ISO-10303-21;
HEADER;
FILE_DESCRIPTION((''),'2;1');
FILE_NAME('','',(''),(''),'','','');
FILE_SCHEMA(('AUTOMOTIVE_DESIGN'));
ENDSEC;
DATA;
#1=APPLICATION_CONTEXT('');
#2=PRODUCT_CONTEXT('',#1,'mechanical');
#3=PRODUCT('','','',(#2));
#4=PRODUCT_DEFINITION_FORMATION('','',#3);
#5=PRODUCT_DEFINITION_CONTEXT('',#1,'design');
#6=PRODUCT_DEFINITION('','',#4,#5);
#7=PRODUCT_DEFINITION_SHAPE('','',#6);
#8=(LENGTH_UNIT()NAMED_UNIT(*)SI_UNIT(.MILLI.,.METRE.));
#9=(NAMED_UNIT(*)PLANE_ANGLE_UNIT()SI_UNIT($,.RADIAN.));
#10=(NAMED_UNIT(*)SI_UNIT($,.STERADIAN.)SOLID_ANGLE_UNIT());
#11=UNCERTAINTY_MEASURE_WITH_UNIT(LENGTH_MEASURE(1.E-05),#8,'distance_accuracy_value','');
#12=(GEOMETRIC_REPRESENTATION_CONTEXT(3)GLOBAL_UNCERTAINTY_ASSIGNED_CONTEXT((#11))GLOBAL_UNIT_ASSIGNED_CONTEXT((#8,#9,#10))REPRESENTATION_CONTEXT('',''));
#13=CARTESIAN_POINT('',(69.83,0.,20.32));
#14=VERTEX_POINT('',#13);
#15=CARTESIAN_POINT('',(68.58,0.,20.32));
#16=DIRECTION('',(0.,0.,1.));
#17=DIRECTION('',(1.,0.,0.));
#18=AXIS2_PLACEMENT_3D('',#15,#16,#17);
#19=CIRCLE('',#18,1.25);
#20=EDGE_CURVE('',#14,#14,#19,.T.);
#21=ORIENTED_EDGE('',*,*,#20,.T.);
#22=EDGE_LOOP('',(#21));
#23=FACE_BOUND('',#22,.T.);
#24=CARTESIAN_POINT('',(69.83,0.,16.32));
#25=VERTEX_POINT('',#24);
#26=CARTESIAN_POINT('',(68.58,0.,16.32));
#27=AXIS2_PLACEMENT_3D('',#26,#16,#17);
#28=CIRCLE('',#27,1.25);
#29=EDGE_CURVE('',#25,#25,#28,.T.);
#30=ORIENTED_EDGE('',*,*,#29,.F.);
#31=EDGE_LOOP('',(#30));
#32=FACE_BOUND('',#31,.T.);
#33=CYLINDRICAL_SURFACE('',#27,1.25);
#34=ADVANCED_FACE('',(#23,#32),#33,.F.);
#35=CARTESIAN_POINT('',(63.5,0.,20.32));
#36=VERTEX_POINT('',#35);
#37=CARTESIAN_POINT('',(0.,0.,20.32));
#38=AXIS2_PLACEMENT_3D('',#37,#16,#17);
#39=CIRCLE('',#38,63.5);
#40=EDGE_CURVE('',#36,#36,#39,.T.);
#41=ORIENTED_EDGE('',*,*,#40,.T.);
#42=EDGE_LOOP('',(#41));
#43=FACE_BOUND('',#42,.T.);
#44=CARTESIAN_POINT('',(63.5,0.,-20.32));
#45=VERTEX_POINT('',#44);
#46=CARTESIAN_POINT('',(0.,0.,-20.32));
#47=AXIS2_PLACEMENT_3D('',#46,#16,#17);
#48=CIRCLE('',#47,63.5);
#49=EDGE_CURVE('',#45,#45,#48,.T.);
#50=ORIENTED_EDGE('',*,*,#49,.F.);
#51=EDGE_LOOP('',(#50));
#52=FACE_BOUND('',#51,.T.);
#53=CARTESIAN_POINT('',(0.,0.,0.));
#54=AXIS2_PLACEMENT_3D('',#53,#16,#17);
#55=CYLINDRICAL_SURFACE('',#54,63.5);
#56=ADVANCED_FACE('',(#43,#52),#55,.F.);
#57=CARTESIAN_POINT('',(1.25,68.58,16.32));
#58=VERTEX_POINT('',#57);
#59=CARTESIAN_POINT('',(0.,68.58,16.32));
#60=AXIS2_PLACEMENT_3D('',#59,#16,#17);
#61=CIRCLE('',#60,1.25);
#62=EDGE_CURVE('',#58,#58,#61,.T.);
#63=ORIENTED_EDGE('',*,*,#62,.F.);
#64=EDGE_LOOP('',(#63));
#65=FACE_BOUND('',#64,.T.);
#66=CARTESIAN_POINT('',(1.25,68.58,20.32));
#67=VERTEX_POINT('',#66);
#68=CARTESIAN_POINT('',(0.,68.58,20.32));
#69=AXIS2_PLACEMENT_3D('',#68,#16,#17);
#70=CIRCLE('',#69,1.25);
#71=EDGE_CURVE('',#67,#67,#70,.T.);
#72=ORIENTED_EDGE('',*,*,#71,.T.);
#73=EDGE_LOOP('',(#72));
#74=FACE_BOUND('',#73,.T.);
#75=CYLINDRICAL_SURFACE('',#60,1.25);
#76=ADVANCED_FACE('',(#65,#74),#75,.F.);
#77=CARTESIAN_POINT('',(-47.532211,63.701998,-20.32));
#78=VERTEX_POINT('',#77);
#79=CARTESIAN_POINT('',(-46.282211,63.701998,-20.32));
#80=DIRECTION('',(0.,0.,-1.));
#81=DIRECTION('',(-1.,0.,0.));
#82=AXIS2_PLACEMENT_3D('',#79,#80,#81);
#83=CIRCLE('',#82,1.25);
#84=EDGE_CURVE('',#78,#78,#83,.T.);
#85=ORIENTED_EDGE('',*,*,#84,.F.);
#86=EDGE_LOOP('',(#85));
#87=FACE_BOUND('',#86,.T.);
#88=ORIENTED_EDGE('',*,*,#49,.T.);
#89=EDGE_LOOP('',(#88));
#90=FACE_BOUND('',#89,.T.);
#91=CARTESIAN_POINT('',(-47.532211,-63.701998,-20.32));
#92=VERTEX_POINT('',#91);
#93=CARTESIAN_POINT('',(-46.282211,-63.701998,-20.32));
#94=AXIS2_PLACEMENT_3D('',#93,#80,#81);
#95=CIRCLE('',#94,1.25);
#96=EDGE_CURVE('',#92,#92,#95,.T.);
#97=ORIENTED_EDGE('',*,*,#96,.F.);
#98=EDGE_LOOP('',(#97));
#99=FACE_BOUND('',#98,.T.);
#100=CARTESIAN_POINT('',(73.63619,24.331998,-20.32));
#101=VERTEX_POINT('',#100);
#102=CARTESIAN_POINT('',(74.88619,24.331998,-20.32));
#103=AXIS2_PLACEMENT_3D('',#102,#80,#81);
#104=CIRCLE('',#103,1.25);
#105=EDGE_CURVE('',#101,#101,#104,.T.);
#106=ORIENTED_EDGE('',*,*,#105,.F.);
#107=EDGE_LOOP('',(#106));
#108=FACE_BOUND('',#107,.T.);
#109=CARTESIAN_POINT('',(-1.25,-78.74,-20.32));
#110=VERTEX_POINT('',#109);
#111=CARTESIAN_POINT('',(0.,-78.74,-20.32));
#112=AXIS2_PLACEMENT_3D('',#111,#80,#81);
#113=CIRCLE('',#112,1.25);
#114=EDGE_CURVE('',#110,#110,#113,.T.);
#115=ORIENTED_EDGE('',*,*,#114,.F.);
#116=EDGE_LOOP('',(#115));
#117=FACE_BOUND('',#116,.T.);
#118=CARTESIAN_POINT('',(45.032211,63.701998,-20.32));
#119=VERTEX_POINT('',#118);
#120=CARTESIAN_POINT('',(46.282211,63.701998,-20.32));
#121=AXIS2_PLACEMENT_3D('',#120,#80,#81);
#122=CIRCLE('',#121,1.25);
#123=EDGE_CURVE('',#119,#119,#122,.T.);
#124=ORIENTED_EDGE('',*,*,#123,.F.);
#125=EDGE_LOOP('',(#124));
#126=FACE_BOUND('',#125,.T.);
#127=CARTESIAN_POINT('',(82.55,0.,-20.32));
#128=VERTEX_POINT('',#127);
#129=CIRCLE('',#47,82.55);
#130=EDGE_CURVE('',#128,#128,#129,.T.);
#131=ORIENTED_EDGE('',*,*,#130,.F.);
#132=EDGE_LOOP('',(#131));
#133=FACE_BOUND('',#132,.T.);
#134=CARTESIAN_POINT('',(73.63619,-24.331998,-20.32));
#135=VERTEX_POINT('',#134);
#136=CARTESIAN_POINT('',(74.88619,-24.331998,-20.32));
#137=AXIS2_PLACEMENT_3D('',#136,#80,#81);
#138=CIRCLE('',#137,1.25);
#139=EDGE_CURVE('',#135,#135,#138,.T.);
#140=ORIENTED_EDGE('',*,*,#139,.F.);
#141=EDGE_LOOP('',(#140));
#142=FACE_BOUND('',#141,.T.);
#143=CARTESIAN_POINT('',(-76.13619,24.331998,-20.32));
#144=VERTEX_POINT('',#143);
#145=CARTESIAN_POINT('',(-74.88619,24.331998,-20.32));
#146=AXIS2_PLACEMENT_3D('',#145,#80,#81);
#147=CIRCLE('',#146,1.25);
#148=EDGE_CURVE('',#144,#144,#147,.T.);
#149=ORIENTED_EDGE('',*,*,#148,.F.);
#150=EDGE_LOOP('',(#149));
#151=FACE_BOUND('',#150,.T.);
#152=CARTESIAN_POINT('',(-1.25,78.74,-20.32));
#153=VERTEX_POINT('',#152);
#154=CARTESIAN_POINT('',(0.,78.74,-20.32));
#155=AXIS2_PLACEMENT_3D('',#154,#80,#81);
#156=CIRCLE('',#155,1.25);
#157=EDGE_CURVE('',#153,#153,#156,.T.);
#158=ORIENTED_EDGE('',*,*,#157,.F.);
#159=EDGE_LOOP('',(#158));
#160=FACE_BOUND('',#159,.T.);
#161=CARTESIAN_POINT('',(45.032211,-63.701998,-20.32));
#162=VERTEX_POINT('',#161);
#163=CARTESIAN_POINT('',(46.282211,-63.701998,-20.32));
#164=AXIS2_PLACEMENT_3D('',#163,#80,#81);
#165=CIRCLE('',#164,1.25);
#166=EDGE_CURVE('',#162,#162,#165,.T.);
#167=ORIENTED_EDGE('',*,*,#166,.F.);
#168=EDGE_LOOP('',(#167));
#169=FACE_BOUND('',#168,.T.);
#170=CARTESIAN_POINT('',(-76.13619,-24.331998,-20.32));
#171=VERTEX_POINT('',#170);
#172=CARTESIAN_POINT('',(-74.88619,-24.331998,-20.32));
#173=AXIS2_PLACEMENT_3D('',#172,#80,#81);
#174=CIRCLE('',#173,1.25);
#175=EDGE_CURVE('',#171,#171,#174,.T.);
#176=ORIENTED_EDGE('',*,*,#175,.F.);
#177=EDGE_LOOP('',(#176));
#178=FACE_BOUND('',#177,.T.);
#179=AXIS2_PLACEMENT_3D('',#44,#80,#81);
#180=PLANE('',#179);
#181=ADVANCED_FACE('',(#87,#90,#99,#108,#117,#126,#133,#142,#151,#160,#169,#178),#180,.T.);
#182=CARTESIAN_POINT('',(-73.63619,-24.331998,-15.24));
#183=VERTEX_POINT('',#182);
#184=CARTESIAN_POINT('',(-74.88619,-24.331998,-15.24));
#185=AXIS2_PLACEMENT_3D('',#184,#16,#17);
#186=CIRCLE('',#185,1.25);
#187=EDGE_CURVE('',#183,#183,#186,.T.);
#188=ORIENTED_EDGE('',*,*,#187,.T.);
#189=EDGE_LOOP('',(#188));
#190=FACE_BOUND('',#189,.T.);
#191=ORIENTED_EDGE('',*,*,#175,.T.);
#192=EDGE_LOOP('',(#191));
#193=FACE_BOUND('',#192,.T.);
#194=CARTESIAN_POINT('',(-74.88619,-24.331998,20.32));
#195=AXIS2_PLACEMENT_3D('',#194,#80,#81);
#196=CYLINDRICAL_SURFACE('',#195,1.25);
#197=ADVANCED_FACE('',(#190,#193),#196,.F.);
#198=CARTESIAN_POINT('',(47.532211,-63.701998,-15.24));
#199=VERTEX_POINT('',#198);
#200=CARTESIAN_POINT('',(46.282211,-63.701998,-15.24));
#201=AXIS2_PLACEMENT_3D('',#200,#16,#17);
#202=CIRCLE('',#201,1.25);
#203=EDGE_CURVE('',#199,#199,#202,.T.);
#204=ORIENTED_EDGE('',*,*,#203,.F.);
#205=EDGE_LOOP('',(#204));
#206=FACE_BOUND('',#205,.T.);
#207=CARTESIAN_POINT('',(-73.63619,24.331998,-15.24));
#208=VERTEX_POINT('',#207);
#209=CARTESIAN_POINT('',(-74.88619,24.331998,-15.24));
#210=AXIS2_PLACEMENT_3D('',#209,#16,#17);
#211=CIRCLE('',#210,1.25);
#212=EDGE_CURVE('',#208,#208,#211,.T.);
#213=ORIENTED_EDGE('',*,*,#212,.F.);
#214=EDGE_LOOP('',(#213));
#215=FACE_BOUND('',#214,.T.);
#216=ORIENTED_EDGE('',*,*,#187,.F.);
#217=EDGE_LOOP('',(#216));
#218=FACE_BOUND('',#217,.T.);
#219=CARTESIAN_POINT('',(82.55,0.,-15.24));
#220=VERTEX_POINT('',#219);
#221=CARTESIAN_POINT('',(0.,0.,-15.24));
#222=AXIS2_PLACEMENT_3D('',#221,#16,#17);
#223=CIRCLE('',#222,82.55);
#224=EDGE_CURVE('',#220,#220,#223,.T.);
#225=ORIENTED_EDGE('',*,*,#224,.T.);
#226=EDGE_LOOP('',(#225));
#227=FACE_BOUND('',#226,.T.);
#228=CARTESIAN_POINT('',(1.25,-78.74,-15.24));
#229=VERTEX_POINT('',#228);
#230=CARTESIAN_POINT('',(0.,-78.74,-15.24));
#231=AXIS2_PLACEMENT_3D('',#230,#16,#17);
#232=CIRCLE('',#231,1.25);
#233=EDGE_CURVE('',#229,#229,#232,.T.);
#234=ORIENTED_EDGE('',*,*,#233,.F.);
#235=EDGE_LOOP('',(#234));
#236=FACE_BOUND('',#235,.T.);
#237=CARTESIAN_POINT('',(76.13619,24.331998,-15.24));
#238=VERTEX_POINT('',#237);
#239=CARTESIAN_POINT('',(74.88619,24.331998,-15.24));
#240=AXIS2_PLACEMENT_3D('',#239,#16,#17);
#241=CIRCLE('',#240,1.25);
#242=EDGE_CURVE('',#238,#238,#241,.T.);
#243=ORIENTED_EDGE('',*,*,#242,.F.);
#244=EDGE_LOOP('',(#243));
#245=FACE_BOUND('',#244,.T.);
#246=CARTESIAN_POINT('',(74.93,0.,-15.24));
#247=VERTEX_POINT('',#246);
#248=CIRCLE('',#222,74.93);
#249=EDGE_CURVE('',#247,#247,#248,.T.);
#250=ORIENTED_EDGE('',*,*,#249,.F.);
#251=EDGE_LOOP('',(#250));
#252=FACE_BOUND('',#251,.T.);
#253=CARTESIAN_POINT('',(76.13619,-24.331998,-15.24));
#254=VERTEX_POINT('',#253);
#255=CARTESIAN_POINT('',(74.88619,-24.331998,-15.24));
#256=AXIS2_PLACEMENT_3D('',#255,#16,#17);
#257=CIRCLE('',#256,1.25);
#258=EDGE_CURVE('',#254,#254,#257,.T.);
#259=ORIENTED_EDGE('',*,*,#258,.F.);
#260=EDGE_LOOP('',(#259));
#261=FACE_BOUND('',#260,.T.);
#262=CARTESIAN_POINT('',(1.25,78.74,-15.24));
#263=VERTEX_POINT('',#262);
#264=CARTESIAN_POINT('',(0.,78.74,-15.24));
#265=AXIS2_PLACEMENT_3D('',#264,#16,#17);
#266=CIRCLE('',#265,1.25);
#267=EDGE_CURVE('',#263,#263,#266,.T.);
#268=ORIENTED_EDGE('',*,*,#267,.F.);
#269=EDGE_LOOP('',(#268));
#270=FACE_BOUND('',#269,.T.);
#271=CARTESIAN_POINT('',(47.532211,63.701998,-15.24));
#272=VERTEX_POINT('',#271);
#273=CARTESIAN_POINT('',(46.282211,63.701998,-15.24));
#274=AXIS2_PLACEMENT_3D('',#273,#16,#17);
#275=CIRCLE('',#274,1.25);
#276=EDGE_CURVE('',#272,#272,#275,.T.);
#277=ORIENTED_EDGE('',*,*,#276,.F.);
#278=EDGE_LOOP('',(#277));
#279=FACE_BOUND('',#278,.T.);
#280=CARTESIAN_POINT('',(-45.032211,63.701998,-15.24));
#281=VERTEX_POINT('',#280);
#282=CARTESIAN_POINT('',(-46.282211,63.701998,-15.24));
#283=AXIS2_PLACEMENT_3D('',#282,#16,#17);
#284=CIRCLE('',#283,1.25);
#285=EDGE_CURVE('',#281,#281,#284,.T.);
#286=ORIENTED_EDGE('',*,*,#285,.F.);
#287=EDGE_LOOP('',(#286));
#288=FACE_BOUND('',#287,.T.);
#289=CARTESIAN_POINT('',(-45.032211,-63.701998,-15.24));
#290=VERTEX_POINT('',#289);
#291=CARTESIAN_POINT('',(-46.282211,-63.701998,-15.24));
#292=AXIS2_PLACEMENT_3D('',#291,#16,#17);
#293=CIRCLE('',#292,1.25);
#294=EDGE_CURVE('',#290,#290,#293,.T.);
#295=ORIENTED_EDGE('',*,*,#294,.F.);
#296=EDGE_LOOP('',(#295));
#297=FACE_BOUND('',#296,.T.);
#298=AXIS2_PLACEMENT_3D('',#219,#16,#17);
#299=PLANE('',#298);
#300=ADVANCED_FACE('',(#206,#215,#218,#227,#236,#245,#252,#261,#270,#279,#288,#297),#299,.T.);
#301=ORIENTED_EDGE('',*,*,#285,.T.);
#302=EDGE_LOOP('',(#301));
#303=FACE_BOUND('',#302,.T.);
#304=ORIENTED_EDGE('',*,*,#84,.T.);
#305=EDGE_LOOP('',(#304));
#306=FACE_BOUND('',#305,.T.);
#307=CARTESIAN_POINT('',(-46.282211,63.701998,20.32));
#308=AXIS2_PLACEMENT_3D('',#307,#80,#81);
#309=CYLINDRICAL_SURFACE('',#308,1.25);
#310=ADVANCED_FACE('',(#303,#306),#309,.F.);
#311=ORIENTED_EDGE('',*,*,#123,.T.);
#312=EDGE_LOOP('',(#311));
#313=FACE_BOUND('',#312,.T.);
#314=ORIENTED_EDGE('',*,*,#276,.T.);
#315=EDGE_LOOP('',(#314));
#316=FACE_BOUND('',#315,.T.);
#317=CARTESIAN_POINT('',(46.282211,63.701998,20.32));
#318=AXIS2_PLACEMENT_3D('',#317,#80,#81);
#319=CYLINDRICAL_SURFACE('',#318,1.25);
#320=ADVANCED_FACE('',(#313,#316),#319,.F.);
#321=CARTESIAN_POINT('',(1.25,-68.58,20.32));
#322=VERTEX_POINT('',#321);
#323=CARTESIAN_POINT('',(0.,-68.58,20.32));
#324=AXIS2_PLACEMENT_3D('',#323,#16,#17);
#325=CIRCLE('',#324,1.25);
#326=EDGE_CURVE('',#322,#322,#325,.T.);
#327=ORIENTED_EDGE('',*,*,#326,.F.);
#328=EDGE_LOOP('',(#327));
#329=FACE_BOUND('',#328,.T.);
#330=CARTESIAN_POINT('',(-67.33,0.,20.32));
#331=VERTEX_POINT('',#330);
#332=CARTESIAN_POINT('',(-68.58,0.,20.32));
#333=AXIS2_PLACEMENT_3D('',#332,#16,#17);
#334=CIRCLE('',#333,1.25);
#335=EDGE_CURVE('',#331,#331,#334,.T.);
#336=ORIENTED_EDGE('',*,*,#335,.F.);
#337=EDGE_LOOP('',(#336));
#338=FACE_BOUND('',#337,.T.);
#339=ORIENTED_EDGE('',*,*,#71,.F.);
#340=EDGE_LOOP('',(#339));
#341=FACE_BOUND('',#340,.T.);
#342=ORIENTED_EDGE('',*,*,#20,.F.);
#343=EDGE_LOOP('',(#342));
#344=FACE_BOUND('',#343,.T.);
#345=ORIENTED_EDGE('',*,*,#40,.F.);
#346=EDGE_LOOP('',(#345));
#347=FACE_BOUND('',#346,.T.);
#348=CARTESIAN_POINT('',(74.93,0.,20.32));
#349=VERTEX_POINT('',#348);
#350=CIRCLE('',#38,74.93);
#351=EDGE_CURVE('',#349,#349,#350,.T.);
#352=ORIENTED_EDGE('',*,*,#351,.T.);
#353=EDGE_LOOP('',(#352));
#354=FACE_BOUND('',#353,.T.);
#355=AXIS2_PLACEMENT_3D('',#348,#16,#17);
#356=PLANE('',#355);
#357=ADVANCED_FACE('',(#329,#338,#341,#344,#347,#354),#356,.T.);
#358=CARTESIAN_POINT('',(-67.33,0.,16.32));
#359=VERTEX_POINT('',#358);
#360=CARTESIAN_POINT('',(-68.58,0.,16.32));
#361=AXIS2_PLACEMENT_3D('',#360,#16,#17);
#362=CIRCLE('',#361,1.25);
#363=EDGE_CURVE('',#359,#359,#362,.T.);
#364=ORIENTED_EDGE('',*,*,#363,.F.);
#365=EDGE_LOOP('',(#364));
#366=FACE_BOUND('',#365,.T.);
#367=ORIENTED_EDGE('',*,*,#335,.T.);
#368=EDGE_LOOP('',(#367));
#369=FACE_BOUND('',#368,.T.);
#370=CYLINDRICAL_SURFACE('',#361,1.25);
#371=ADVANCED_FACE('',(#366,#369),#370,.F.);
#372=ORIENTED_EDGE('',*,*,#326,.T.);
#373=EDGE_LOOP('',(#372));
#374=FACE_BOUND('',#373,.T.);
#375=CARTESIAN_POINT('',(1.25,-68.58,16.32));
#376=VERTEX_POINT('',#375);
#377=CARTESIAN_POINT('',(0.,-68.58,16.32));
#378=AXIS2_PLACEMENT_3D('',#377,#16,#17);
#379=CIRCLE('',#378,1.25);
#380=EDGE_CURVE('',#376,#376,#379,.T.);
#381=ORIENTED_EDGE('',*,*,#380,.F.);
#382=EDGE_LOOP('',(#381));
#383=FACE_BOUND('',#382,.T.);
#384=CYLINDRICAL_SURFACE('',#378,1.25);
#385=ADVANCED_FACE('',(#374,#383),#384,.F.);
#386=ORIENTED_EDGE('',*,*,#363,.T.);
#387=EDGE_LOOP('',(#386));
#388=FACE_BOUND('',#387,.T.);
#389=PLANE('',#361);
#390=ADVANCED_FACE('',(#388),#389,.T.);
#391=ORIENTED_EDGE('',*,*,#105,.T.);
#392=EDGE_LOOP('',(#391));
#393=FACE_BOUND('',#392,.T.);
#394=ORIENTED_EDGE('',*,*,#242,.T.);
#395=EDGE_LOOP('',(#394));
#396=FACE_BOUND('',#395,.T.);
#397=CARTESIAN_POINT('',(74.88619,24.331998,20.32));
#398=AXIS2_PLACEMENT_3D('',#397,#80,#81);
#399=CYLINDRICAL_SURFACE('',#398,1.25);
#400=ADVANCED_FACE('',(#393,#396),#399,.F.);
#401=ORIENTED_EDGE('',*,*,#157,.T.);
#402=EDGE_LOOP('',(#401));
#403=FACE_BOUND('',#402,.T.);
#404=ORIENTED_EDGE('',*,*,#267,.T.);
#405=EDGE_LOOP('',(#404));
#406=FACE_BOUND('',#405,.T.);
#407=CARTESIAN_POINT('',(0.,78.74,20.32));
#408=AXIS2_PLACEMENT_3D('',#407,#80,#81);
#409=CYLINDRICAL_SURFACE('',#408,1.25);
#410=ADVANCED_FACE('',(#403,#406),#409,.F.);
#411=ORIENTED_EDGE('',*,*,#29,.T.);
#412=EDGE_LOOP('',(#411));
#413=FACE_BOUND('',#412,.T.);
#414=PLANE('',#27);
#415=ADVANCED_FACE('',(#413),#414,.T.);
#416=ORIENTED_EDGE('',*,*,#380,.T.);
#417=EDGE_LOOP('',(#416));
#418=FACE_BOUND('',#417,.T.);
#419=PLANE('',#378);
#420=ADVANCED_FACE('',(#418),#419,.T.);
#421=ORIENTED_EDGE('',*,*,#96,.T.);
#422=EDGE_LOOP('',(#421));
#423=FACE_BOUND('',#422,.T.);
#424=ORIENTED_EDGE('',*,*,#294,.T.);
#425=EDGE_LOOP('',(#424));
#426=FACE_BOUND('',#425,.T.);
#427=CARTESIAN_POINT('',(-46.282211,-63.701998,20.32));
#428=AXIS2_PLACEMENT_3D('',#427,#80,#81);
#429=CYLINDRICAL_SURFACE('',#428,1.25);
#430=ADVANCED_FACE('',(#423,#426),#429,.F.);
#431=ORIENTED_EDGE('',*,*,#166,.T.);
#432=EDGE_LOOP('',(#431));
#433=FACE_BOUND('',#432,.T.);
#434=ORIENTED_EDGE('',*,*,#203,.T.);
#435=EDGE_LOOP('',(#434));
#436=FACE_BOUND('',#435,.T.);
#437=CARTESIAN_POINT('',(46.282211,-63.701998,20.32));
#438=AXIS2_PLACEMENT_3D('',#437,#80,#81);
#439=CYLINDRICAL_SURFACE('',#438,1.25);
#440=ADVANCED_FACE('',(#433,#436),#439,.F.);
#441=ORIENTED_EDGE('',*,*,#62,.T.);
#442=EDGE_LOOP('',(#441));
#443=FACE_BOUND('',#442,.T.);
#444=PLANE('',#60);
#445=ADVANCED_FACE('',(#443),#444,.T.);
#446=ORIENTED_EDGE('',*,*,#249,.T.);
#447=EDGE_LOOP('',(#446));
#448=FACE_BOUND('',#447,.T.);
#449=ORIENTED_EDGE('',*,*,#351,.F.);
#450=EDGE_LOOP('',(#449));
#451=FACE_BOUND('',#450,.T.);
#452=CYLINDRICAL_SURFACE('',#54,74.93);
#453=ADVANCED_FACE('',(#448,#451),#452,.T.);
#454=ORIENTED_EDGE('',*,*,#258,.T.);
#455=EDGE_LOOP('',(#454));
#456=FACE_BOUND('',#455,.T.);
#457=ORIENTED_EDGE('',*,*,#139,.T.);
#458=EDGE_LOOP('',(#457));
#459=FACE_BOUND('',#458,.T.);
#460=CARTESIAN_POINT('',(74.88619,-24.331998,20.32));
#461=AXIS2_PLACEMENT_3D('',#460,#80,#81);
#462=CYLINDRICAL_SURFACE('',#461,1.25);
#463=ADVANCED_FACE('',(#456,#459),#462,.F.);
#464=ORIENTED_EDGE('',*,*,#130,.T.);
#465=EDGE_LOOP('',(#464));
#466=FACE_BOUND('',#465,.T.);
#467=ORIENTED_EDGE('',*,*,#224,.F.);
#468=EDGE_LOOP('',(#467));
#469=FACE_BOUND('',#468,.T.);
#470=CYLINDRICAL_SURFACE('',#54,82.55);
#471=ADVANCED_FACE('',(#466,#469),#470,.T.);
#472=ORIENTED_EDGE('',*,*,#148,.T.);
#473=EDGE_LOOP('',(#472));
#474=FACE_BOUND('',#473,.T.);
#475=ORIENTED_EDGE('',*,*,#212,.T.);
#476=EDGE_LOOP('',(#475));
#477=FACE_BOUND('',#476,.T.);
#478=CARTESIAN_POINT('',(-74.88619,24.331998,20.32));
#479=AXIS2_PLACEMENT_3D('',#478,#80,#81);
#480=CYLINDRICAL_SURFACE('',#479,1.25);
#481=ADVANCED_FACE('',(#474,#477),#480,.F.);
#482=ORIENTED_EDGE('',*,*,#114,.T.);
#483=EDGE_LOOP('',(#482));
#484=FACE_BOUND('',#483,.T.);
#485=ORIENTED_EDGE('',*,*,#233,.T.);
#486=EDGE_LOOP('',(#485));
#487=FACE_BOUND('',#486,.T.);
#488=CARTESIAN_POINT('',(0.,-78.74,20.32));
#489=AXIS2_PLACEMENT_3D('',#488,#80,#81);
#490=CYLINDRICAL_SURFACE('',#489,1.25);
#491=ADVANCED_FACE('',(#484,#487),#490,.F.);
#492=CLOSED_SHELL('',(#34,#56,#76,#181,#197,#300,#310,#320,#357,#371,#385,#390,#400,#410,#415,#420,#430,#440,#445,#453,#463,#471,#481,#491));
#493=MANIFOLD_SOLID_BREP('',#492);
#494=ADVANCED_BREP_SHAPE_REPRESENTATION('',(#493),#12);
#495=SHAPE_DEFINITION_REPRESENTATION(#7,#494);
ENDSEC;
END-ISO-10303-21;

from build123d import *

# Parameters (mm, degrees)
SKETCH2_R                        = 1.25
INTERNAL_MOUNTING_HOLES_DEPTH    = 4
ENDCAP_MOUNTING_HOLES_DEPTH      = 124.614783097
ENDCAP_MOUNTING_HOLES_DEPTH_BACK = 124.614783097
SKETCH3_R                        = 1.25


with BuildPart() as part:
    # Sketch1 → Base Boss (revolve)
    with BuildSketch(Plane(origin=(0, 0, 0), x_dir=(1, 0, 0), z_dir=(0, 1, 0))):
        Polygon((63.5, 20.32), (82.55, 20.32), (82.55, 15.24), (74.93, 15.24), (74.93, -20.32), (63.5, -20.32), align=None)
    revolve(axis=Axis((0, 0, 0), (0, 0, -1)))

    # Sketch2 → Internal Mounting Holes (cut)
    with BuildSketch(Plane.XY.offset(20.32)):
        with Locations((0, 68.58)):
            Circle(SKETCH2_R)
        with Locations((68.58, 0)):
            Circle(SKETCH2_R)
        with Locations((0, -68.58)):
            Circle(SKETCH2_R)
        with Locations((-68.58, 0)):
            Circle(SKETCH2_R)
    extrude(amount=-INTERNAL_MOUNTING_HOLES_DEPTH, mode=Mode.SUBTRACT)

    # Sketch3 → Endcap Mounting Holes (cut, two sides: drawn at the far end of the back side and taken through both)
    with BuildSketch(Plane(origin=(0, 0, -20.32), x_dir=(-1, 0, 0), z_dir=(0, 0, -1)).offset(-ENDCAP_MOUNTING_HOLES_DEPTH_BACK)):
        with Locations((0, 78.74)):
            Circle(SKETCH3_R)
        with Locations((46.282210766, 63.701998137)):
            Circle(SKETCH3_R)
        with Locations((74.886190093, 24.331998137)):
            Circle(SKETCH3_R)
        with Locations((74.886190093, -24.331998137)):
            Circle(SKETCH3_R)
        with Locations((46.282210766, -63.701998137)):
            Circle(SKETCH3_R)
        with Locations((0, -78.74)):
            Circle(SKETCH3_R)
        with Locations((-46.282210766, -63.701998137)):
            Circle(SKETCH3_R)
        with Locations((-74.886190093, -24.331998137)):
            Circle(SKETCH3_R)
        with Locations((-74.886190093, 24.331998137)):
            Circle(SKETCH3_R)
        with Locations((-46.282210766, 63.701998137)):
            Circle(SKETCH3_R)
    extrude(amount=ENDCAP_MOUNTING_HOLES_DEPTH + ENDCAP_MOUNTING_HOLES_DEPTH_BACK, mode=Mode.SUBTRACT)


solid = part.part
